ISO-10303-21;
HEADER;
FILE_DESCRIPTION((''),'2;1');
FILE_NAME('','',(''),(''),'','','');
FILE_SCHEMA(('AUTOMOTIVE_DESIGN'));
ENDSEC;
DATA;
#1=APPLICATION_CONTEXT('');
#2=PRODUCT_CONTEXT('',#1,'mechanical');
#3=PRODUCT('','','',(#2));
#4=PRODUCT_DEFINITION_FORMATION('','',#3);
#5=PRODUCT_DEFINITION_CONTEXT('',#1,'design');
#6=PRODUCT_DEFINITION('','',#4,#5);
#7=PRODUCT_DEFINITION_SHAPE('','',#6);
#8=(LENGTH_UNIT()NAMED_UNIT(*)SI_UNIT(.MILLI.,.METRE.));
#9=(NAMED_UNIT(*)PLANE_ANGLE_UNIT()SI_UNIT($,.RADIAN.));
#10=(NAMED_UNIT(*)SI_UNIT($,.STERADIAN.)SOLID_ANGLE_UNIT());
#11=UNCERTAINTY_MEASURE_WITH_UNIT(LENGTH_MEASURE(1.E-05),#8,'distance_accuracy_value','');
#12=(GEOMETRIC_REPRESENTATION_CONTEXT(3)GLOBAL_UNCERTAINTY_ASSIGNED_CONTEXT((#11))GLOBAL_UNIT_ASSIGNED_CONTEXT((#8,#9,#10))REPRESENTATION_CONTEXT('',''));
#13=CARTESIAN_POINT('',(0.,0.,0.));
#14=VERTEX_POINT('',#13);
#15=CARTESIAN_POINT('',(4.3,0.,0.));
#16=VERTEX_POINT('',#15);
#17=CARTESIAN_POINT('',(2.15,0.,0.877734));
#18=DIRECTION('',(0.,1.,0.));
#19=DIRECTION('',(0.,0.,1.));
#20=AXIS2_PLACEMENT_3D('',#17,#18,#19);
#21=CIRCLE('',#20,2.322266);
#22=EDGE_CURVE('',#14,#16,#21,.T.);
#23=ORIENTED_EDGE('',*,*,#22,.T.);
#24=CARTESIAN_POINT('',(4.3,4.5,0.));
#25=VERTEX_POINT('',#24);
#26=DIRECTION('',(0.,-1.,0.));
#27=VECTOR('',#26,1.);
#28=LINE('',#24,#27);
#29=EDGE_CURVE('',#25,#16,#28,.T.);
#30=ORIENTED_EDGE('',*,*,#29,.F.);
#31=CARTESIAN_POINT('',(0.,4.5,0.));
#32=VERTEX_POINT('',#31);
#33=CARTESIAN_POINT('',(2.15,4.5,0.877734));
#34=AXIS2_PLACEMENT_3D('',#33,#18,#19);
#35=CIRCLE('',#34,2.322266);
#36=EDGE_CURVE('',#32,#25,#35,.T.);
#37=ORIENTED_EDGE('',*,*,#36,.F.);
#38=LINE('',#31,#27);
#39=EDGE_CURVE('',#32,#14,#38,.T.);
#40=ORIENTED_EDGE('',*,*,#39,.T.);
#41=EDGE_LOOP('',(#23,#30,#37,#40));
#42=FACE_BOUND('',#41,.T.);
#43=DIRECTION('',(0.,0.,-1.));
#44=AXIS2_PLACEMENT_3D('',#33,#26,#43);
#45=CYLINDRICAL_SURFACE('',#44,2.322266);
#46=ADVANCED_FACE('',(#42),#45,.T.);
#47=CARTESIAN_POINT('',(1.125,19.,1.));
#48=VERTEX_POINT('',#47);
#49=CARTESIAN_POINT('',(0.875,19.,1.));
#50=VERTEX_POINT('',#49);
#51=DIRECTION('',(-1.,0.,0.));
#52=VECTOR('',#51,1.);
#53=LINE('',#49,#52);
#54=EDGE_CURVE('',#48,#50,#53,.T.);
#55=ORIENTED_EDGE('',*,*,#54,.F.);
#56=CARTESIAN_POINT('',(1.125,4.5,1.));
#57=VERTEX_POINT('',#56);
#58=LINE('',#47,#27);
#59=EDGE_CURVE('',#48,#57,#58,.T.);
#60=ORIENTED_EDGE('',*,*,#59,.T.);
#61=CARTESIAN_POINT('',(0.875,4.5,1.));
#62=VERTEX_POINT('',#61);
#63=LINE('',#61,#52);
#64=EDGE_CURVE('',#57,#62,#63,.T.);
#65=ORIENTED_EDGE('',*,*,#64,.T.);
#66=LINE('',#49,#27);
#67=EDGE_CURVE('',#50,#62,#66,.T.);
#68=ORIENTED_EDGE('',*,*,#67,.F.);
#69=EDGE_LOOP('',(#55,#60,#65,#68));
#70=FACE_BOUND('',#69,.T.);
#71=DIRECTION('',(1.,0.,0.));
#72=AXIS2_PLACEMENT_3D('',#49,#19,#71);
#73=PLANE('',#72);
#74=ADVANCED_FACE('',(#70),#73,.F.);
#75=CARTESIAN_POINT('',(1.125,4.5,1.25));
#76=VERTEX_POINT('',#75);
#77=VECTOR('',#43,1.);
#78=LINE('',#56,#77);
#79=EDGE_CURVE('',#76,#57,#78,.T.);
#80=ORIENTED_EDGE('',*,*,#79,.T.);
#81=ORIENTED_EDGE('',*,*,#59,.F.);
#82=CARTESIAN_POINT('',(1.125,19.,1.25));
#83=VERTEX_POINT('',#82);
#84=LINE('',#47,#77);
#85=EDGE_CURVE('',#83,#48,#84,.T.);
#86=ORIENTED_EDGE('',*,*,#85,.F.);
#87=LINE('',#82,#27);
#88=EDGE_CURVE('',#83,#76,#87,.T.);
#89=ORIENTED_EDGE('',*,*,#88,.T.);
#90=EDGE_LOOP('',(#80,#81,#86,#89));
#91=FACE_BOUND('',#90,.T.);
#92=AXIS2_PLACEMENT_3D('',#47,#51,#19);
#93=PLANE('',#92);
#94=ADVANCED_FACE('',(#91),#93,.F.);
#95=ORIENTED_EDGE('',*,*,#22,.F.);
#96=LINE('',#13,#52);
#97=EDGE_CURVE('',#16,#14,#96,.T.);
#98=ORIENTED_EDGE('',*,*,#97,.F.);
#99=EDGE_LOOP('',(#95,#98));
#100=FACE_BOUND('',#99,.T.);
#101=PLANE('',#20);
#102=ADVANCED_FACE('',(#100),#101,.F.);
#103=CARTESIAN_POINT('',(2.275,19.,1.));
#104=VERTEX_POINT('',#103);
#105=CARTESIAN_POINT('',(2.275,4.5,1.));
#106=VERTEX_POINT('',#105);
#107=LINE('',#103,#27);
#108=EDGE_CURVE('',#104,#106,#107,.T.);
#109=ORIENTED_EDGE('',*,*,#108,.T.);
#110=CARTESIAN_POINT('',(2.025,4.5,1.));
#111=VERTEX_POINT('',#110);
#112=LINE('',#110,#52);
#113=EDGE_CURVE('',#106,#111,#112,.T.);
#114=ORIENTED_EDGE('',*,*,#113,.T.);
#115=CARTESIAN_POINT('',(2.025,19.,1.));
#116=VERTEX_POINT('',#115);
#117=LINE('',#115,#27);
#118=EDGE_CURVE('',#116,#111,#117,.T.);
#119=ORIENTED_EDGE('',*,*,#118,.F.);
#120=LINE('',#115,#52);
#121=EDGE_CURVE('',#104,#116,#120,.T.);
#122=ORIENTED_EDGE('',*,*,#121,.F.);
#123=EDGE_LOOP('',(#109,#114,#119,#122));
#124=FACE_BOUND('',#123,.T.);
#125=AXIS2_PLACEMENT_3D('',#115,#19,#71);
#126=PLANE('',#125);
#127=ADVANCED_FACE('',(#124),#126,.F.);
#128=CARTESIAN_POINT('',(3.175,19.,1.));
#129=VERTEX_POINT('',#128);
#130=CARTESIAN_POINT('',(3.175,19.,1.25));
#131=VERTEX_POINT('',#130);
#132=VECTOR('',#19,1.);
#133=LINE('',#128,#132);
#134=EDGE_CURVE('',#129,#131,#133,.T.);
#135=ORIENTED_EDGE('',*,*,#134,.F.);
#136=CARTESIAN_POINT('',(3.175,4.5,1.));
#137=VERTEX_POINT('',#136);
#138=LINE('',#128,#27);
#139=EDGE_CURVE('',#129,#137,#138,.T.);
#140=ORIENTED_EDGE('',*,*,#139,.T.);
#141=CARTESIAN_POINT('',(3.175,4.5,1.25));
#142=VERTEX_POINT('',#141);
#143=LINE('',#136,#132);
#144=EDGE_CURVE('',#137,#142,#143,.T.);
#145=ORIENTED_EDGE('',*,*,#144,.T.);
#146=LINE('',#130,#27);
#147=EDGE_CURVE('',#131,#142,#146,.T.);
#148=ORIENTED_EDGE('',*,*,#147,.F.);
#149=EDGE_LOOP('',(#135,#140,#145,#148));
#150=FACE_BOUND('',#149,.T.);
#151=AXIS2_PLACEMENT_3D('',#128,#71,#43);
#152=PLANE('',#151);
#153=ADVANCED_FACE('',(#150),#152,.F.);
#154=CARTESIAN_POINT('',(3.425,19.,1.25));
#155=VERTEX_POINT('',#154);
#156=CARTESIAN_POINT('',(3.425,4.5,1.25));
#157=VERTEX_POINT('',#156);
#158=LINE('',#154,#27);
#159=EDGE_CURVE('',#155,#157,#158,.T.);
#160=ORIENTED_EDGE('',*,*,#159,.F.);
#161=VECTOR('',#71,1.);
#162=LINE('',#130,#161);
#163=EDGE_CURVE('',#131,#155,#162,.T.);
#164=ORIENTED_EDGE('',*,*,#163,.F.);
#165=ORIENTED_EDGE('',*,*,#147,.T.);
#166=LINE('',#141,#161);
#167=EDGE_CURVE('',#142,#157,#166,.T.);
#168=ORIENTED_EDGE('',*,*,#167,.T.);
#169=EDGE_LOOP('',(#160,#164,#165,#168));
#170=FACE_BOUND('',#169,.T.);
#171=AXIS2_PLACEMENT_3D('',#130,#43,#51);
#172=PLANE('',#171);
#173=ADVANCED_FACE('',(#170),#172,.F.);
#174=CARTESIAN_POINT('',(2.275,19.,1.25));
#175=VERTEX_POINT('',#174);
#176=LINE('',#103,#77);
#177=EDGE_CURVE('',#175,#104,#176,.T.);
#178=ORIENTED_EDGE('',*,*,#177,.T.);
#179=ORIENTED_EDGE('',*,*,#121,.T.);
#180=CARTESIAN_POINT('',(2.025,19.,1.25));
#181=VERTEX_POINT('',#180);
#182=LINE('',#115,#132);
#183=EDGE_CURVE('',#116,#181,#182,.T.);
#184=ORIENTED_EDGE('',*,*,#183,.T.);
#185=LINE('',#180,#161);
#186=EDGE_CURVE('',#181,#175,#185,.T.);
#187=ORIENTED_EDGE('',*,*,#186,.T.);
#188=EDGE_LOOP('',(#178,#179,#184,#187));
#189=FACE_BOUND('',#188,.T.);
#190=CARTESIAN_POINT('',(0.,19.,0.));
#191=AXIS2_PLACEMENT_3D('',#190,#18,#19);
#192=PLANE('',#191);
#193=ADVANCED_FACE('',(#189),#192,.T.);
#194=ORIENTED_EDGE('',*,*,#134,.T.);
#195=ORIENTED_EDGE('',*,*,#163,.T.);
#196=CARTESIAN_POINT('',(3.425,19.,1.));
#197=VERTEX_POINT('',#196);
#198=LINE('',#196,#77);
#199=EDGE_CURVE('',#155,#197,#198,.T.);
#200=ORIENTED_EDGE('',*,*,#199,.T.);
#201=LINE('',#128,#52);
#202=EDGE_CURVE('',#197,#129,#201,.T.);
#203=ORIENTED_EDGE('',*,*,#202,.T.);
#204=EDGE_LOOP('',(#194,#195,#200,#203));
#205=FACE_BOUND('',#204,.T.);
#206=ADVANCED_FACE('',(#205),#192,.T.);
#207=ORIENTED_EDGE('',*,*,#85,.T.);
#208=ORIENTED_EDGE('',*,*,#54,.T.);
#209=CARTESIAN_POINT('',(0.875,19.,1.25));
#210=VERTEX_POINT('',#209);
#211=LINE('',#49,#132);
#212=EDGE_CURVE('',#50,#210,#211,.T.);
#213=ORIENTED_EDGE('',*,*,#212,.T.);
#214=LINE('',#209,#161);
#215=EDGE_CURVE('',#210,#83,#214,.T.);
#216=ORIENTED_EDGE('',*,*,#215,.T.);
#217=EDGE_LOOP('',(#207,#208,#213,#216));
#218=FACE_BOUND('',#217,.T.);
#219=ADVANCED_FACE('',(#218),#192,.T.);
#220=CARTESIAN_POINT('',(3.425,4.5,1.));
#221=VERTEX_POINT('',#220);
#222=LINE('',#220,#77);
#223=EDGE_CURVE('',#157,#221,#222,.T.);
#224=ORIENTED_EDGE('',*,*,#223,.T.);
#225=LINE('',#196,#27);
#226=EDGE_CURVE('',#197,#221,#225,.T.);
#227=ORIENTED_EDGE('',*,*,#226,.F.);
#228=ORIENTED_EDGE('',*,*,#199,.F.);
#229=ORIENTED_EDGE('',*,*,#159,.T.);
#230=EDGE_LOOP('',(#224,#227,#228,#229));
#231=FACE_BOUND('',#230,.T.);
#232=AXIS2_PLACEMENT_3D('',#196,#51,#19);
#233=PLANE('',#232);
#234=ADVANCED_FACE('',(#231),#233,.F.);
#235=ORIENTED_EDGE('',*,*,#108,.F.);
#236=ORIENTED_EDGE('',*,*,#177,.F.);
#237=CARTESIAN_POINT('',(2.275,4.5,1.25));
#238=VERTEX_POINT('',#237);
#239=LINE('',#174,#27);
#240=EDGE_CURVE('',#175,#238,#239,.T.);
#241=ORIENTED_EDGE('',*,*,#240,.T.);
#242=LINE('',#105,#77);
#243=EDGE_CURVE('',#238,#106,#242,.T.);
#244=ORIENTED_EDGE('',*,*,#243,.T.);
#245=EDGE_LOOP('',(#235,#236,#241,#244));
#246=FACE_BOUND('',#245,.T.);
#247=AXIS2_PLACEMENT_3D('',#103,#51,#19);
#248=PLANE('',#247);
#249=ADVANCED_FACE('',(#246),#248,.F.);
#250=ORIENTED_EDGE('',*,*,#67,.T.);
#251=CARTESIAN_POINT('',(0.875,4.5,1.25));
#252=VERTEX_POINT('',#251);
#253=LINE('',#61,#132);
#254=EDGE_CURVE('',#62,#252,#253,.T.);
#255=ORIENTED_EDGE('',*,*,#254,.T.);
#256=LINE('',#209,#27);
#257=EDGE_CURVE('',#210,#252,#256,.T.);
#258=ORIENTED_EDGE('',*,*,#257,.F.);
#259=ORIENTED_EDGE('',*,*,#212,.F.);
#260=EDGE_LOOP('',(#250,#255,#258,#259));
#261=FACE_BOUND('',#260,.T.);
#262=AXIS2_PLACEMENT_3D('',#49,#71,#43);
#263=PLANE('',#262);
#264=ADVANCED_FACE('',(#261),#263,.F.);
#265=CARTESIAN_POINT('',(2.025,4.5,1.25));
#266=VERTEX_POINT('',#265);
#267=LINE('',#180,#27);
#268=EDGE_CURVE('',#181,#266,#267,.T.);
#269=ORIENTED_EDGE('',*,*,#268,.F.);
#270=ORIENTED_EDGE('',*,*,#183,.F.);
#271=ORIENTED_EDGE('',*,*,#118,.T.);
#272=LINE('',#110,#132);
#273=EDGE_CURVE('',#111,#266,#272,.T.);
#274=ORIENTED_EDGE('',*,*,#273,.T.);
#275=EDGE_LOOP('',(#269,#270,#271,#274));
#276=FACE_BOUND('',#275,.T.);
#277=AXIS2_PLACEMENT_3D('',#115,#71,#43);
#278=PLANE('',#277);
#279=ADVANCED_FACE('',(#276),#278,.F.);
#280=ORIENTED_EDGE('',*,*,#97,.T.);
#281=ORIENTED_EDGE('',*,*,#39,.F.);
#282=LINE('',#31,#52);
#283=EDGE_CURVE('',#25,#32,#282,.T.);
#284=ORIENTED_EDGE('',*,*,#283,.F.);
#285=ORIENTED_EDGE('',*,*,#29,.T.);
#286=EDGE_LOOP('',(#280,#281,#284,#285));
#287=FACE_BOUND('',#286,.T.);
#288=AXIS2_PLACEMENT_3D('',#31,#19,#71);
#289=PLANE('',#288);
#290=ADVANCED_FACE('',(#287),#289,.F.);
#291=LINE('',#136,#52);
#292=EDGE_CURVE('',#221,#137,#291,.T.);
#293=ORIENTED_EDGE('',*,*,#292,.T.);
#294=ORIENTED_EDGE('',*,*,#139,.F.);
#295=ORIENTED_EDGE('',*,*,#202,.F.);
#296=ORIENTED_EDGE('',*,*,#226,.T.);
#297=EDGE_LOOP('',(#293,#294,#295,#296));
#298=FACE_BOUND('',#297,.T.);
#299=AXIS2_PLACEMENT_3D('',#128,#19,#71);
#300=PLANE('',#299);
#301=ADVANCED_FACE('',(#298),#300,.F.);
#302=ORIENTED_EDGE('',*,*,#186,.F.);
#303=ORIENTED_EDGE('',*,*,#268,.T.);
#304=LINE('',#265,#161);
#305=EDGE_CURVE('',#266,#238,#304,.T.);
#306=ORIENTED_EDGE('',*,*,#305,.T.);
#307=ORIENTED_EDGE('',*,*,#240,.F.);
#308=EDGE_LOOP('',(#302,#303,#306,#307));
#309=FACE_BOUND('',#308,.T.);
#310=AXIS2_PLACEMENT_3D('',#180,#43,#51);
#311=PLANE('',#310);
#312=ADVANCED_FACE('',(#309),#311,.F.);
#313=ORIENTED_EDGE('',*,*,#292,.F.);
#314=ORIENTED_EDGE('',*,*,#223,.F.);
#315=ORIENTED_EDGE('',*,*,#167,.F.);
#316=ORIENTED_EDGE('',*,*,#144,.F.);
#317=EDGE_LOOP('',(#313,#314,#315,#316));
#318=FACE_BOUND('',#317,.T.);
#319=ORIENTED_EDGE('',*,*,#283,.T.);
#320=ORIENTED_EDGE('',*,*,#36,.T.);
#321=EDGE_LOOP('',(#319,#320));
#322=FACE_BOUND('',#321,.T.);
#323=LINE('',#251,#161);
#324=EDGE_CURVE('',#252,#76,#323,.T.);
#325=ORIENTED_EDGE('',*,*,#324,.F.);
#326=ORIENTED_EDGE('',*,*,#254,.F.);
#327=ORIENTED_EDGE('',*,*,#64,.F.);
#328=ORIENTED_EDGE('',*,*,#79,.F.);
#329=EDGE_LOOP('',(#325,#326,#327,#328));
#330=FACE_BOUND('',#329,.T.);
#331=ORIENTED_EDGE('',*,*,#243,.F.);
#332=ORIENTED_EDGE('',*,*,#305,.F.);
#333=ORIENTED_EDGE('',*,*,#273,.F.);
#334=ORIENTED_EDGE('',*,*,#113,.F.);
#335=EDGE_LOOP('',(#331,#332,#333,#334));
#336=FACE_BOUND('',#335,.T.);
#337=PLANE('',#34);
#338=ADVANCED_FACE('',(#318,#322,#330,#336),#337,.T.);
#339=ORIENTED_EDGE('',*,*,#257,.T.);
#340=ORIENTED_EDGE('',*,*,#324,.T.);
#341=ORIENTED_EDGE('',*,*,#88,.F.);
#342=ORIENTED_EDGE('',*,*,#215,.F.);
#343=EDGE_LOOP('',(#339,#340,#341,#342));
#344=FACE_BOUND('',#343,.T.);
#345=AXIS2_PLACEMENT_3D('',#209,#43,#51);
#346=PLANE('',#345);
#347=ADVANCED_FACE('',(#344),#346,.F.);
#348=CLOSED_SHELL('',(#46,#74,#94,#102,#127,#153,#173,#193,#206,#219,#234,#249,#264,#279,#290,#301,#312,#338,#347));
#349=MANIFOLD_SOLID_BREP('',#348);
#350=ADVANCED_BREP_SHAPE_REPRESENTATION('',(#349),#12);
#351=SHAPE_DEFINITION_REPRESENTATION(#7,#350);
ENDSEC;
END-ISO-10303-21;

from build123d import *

# Parameters (mm, degrees)
BOSS_EXTRUDE1_DEPTH = 4.5
SKETCH2_W           = 0.25
SKETCH2_H           = 0.25
BOSS_EXTRUDE2_DEPTH = 14.5


with BuildPart() as part:
    # Sketch1 → Boss-Extrude1 (new body)
    with BuildSketch(Plane(origin=(0, 0, 0), x_dir=(1, 0, 0), z_dir=(0, 1, 0))):
        with BuildLine():
            Line((0, 0), (4.3, 0))
            ThreePointArc((4.3, 0), (2.15, -3.2), (0, 0))
        make_face()
    extrude(amount=BOSS_EXTRUDE1_DEPTH)

    # Sketch2 → Boss-Extrude2 (add)
    with BuildSketch(Plane(origin=(0, 4.5, 0), x_dir=(1, 0, 0), z_dir=(0, 1, 0))):
        with Locations((3.3, -1.125)):
            Rectangle(SKETCH2_W, SKETCH2_H)
        with Locations((2.15, -1.125)):
            Rectangle(SKETCH2_W, SKETCH2_H)
        with Locations((1, -1.125)):
            Rectangle(SKETCH2_W, SKETCH2_H)
    extrude(amount=BOSS_EXTRUDE2_DEPTH)


solid = part.part
